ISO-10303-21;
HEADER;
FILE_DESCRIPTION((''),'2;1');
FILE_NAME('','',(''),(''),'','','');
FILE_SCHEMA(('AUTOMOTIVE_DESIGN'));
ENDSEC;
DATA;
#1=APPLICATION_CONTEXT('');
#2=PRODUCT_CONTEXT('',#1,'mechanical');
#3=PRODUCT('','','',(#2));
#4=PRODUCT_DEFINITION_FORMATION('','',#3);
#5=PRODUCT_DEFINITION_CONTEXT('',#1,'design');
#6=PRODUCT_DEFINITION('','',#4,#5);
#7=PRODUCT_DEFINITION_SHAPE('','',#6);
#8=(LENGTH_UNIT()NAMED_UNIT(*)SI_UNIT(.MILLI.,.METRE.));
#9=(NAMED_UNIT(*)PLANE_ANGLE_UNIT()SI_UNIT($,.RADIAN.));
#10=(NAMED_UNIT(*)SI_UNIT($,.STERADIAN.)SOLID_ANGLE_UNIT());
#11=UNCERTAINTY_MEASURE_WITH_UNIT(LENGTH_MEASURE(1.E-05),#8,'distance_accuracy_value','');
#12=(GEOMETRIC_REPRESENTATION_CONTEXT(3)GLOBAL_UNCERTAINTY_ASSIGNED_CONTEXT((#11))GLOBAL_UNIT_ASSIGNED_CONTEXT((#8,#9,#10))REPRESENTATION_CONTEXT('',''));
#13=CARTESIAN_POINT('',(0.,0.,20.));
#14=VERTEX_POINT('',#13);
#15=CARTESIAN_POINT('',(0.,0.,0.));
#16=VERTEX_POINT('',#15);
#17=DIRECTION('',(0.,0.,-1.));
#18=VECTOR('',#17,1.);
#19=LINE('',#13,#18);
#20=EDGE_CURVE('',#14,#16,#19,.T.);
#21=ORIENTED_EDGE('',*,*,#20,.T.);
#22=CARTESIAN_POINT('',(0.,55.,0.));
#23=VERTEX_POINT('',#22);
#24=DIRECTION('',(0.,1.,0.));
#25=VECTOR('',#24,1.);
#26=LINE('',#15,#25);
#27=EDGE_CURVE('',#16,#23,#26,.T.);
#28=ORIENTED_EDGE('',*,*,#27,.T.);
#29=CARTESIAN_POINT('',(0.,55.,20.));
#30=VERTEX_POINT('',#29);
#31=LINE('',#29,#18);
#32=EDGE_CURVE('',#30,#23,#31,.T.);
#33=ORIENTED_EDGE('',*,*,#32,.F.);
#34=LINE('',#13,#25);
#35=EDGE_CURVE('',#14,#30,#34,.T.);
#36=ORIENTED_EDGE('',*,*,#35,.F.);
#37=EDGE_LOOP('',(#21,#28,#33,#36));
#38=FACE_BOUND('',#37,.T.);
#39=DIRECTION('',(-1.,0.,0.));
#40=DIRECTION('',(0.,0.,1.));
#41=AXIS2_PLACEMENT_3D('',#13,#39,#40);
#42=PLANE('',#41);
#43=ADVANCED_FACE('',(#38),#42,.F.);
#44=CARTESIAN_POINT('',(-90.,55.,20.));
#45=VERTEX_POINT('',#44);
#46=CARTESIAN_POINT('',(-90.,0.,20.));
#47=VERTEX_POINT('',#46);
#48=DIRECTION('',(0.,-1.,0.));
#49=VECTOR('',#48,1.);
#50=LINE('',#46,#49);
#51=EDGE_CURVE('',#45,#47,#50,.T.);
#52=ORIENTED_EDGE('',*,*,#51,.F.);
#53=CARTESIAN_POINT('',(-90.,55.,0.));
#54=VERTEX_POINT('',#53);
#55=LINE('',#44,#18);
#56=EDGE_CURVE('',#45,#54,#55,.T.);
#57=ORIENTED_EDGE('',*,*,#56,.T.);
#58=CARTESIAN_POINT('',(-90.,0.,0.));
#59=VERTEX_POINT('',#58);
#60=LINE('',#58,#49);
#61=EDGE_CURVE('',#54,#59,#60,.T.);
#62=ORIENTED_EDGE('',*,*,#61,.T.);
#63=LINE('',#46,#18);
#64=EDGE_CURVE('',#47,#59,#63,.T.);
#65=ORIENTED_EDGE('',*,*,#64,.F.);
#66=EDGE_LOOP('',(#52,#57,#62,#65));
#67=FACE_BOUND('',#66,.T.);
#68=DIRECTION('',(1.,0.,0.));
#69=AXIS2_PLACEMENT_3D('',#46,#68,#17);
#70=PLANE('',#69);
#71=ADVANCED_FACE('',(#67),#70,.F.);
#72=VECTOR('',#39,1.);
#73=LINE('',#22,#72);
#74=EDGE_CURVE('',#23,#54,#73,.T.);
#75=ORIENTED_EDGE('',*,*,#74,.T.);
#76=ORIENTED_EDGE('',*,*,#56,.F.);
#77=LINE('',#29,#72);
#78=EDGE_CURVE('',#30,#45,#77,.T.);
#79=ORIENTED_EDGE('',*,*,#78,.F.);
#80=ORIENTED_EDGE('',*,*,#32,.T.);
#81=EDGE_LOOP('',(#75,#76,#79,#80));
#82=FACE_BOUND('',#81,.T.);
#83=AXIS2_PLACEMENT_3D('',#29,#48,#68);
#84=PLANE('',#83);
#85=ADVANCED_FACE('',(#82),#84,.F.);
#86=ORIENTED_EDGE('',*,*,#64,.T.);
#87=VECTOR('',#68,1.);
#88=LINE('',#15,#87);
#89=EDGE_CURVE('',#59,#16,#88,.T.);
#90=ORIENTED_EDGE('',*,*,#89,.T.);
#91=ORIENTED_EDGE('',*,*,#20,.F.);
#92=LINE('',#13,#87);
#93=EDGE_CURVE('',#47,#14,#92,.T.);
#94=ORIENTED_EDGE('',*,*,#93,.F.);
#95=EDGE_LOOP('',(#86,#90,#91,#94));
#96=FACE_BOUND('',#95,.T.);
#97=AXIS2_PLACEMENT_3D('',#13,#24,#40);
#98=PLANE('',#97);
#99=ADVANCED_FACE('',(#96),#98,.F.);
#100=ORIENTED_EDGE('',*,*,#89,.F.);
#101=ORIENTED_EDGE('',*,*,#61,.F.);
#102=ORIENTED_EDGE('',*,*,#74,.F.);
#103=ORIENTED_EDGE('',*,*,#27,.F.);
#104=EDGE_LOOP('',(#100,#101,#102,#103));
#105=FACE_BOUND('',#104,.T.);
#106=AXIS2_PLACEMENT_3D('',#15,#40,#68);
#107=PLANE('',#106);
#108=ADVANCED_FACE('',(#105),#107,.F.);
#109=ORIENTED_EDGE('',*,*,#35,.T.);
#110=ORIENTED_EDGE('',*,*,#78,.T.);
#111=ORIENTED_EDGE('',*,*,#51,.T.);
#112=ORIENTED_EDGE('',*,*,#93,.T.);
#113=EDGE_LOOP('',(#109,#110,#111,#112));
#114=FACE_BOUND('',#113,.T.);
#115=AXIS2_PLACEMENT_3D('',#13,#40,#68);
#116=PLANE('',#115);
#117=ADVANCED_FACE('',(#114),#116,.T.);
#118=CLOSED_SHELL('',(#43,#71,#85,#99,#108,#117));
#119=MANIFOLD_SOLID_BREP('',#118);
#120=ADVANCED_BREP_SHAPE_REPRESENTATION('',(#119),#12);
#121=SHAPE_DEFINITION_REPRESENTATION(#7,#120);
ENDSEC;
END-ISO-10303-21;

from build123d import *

# Parameters (mm, degrees)
SKETCH_1_W      = 90
SKETCH_1_H      = 55
EXTRUDE_1_DEPTH = 20


with BuildPart() as part:
    # Эскиз1 → Бобышка-Вытянуть1 (new body)
    with BuildSketch(Plane.XY):
        with Locations((-45, 27.5)):
            Rectangle(SKETCH_1_W, SKETCH_1_H)
    extrude(amount=EXTRUDE_1_DEPTH)


solid = part.part
